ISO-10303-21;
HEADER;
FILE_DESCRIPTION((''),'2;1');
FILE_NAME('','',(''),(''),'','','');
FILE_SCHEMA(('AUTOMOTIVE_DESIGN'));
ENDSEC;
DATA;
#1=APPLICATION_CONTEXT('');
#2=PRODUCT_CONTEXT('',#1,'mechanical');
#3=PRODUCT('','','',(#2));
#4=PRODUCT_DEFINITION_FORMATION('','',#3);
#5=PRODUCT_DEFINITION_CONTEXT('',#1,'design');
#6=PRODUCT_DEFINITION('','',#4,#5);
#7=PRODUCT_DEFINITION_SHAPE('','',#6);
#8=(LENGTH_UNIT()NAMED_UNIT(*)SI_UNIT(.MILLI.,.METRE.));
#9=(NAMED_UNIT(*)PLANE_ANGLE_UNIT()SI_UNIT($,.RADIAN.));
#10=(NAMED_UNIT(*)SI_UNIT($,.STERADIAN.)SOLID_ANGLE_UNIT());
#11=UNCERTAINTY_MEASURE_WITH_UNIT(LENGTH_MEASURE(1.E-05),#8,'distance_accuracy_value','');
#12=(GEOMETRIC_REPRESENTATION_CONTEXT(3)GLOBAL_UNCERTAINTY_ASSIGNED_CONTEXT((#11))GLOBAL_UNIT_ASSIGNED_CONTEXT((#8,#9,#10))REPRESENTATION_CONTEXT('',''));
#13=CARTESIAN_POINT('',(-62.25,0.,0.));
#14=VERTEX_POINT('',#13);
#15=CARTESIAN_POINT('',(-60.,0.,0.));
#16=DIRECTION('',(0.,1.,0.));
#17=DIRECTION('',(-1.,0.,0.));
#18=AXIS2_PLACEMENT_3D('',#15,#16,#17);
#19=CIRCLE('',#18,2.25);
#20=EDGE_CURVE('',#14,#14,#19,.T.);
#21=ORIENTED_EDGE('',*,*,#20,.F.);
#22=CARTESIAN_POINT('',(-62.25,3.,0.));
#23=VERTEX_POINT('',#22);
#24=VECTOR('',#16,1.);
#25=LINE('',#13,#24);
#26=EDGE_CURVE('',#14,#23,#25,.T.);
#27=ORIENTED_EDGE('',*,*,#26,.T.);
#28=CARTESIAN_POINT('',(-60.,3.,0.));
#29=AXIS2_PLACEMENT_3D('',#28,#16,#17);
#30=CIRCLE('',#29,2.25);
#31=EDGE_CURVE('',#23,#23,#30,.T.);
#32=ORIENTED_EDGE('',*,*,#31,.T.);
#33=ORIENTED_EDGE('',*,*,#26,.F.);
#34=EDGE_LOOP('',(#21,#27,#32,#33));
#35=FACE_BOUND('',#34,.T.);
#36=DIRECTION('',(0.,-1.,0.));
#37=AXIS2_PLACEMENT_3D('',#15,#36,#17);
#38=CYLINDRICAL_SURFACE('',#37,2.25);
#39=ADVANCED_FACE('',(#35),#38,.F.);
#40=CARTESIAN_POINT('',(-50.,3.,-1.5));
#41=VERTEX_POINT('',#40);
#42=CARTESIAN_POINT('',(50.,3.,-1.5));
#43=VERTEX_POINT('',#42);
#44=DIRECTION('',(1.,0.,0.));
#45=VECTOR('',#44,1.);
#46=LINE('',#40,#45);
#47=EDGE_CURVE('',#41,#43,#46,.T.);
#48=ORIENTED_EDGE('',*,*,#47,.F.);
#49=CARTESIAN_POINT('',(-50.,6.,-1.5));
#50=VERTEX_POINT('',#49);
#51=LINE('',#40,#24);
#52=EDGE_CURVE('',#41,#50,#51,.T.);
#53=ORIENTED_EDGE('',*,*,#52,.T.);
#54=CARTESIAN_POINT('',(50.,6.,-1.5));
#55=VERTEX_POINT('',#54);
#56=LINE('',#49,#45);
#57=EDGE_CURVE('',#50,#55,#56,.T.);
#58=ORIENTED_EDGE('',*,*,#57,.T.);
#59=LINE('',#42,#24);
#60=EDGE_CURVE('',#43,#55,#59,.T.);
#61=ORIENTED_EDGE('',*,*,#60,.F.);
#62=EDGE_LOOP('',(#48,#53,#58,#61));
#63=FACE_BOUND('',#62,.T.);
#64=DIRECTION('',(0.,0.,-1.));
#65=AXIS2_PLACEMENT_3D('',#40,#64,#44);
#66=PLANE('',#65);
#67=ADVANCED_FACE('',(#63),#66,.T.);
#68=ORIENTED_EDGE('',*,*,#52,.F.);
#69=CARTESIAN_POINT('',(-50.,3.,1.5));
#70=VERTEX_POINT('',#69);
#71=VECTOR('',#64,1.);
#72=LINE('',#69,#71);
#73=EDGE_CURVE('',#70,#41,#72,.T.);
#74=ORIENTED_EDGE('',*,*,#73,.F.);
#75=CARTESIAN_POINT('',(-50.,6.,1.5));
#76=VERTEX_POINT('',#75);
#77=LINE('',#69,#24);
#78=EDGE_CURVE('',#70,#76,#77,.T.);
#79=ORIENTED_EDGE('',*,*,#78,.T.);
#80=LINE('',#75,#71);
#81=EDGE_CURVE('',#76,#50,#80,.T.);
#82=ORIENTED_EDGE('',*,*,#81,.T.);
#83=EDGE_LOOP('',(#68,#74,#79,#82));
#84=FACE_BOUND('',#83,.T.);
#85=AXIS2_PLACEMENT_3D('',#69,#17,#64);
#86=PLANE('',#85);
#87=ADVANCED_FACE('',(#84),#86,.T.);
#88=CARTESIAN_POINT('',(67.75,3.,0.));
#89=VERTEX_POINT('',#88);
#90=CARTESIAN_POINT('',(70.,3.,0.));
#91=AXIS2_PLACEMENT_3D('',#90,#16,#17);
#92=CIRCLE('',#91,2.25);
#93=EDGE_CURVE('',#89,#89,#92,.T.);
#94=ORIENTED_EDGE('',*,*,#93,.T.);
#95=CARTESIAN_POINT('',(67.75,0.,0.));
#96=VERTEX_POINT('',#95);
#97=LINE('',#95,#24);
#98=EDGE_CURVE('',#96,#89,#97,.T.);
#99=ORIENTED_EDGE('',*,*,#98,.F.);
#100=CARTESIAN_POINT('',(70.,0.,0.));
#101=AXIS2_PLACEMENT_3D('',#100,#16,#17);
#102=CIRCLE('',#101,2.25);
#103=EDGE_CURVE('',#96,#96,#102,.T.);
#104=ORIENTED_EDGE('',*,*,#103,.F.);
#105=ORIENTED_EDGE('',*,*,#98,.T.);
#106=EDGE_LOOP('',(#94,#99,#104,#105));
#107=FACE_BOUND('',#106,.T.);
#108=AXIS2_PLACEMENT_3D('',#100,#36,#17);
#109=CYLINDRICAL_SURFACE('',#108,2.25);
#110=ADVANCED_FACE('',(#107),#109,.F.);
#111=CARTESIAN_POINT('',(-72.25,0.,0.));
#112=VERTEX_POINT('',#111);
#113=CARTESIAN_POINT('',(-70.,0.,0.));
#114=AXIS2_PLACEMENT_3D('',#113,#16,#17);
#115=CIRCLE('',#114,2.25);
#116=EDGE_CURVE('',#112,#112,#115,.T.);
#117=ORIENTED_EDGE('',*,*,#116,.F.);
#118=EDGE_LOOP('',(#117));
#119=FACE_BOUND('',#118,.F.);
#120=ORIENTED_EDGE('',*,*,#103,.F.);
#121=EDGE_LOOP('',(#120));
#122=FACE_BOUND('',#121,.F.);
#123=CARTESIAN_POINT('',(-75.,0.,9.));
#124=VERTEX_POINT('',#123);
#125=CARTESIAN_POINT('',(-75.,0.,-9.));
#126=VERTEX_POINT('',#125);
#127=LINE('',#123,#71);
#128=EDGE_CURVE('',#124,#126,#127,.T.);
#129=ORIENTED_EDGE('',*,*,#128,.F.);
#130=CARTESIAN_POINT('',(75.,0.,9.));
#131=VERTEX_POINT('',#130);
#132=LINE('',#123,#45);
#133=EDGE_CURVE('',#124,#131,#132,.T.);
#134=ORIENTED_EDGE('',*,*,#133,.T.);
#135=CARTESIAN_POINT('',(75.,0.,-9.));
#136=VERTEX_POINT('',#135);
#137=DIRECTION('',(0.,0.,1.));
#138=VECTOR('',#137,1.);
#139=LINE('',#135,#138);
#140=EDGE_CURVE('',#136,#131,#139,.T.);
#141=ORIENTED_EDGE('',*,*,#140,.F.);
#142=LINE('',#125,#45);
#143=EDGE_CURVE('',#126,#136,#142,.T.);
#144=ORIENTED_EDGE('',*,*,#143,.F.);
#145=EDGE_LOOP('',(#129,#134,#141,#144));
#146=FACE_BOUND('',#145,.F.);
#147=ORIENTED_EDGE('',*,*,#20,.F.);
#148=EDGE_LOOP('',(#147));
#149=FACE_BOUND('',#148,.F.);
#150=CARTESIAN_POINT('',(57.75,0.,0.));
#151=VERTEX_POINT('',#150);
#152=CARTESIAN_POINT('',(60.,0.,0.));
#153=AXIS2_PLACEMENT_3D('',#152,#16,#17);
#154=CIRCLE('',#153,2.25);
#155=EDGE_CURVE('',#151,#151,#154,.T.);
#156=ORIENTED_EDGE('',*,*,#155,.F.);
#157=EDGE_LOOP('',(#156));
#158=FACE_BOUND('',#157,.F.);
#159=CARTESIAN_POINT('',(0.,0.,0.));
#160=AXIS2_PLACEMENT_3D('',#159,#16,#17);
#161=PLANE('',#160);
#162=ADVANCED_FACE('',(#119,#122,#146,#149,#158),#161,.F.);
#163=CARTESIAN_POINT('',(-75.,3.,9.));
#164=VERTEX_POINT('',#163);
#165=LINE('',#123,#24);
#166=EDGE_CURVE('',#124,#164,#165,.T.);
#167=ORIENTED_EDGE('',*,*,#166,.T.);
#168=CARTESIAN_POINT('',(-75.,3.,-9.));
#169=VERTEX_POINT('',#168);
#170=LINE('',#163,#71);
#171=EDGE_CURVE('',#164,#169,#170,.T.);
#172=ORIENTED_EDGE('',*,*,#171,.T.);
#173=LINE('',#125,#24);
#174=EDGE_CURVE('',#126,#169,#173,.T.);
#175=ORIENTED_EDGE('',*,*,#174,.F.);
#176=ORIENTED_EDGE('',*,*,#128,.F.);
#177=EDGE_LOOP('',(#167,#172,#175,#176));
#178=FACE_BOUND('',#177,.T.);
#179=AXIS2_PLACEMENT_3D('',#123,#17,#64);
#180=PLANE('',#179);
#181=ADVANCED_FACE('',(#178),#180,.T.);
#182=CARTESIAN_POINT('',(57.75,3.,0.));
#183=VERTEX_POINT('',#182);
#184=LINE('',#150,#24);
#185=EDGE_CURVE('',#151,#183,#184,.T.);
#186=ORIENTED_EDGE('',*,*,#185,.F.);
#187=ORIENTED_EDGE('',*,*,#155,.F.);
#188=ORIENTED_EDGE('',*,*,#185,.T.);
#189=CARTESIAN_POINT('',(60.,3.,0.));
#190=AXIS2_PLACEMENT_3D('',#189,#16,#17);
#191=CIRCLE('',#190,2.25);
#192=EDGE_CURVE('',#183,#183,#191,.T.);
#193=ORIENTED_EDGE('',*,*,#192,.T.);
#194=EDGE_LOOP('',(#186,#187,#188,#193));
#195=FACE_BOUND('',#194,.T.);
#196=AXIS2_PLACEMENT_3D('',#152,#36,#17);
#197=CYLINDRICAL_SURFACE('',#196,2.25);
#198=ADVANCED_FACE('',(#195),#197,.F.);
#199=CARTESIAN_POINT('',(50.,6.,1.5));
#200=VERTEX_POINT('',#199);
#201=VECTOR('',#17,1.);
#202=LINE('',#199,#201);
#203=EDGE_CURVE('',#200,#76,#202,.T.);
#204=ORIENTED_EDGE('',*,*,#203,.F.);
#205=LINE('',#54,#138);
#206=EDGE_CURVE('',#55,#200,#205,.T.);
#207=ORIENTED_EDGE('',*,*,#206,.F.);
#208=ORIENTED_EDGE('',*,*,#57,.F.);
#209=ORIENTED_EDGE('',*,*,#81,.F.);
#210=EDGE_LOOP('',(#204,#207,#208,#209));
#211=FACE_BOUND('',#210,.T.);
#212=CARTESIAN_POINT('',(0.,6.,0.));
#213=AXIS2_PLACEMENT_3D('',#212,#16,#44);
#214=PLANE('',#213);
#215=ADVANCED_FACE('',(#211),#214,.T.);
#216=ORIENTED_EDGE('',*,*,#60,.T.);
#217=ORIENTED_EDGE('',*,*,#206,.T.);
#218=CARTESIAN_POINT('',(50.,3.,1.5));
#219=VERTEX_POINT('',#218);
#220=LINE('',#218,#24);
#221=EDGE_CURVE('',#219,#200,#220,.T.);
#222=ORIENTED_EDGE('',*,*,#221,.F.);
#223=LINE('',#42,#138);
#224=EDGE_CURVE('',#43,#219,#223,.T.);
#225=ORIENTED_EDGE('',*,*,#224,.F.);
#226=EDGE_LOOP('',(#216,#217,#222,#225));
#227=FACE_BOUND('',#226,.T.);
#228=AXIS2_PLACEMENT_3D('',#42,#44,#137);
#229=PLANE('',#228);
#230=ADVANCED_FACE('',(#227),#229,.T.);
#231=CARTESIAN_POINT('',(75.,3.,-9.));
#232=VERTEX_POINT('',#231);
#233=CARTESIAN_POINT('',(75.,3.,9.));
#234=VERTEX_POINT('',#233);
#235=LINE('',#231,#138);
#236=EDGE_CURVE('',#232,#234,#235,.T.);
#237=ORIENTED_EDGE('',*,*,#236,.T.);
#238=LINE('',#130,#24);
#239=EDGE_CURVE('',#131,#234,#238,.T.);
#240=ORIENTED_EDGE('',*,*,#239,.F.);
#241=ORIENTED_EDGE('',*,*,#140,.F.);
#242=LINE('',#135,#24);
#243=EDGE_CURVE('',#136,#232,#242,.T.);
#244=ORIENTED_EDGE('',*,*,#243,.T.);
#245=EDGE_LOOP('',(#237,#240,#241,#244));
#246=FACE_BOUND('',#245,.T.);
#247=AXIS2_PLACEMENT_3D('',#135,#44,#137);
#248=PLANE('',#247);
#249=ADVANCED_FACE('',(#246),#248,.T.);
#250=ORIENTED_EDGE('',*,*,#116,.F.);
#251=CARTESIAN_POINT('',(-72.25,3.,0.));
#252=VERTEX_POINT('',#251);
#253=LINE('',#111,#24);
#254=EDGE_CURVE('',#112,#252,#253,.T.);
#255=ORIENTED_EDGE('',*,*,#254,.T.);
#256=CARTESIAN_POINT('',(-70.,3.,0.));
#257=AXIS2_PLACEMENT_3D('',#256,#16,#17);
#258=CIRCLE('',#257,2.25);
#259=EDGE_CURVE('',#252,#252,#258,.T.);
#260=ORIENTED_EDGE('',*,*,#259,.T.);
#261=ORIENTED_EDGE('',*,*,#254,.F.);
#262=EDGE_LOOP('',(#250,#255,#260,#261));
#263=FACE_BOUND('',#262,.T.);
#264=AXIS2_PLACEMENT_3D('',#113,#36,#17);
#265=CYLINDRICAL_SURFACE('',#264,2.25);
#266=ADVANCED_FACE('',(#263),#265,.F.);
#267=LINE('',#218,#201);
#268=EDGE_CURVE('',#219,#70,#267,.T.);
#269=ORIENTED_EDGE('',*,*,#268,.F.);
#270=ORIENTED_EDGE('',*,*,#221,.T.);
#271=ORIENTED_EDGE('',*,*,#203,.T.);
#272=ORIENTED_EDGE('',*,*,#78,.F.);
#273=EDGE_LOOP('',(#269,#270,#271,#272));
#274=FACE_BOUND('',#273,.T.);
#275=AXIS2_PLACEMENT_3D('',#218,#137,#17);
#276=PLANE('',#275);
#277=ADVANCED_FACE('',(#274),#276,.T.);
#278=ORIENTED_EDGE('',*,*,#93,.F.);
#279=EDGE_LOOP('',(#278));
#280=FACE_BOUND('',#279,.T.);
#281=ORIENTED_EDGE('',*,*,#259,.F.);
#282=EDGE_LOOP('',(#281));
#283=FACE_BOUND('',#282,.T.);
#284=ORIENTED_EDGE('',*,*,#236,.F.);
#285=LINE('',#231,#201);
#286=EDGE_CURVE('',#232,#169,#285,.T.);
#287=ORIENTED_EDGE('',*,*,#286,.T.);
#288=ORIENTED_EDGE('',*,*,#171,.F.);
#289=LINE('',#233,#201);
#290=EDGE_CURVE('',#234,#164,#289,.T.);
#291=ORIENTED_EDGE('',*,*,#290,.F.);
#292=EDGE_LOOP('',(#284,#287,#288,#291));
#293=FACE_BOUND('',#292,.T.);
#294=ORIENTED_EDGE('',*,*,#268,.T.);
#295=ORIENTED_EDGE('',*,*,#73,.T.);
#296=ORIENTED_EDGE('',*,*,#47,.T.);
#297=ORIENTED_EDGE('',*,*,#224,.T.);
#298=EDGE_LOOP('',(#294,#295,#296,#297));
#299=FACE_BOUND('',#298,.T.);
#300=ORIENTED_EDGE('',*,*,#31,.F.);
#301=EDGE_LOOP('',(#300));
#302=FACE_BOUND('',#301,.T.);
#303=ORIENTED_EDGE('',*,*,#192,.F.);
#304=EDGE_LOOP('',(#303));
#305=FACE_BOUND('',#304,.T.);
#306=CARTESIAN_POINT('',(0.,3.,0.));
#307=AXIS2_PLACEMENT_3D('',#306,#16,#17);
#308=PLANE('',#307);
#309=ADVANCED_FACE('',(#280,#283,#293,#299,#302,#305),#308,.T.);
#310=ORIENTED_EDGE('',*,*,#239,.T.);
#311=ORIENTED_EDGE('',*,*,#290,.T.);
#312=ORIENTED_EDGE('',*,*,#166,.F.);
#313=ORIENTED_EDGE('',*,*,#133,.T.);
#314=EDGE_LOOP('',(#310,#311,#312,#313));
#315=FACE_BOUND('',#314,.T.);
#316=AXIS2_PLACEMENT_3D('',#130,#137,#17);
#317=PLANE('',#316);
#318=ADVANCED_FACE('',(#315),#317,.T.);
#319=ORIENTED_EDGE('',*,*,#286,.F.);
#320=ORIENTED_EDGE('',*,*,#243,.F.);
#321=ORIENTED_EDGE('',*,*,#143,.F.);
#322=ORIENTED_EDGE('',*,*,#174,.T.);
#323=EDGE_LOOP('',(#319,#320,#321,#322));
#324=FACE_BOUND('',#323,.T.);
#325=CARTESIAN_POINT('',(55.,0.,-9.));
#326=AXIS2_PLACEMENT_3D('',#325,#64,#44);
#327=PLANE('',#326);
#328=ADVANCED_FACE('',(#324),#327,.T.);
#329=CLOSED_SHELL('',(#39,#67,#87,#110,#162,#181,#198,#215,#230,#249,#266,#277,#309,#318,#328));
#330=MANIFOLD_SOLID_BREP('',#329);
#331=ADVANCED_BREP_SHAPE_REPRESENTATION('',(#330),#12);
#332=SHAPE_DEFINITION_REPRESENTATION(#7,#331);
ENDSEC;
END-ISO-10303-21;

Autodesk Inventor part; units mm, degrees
ref_plane "YZ Plane" through (0, 0, 0) normal (1, 0, 0) x (0, 1, 0)
ref_plane "XZ Plane" through (0, 0, 0) normal (0, 1, 0) x (-1, 0, 0)
ref_plane "XY Plane" through (0, 0, 0) normal (0, 0, 1) x (1, 0, 0)
sketch "Sketch1" plane through (0, 0, 0) normal (0, 1, 0) x (-1, 0, 0)
  line L0 (-75, 9) -> (0, 9)
  line L1 (75, 9) -> (75, -9)
  line L2 (75, -9) -> (0, -9)
  line L3 (-75, -9) -> (-75, 9)
  line L4 (-75, 0) -> (75, 0) construction
  circle A0 centre (-70, 0) radius 2.25
  circle A1 centre (-60, 0) radius 2.25
  line L5 (0, 9) -> (75, 9)
  line L6 (0, -9) -> (-75, -9)
  line L7 (-55, 9) -> (-55, -9)
  line L8 (0, 37.7423) -> (0, -37.3462) construction
  circle A2 centre (70, 0) radius 2.25
  circle A3 centre (60, 0) radius 2.25
  line L9 (55, 9) -> (55, -9)
  point P0 (0, 0)
  dimension "d1" = 18
  dimension "d2" = 4.5
  dimension "d3" = 4.5
  dimension "d4" = 5
  dimension "d5" = 15
  dimension "d17" = 5
  dimension "d18" = 110
  dimension "d19" = 5
extrude "Extrusion1" add sketch "Sketch1" along normal blind 3
sketch "Sketch2" plane through (0, 3, 0) normal (0, 1, 0) x (1, 0, 0)
  line L0 (-50, 1.5) -> (50, 1.5)
  line L1 (50, 1.5) -> (50, -1.5)
  line L2 (50, -1.5) -> (-50, -1.5)
  line L3 (-50, -1.5) -> (-50, 1.5)
  point P0 (0, 0)
  point P1 (50, 0)
  point P2 (0, 1.5)
  dimension "d20" = 100
  dimension "d21" = 3
extrude "Extrusion3" add sketch "Sketch2" along normal blind 3
properties part number "TopSliderBar"
